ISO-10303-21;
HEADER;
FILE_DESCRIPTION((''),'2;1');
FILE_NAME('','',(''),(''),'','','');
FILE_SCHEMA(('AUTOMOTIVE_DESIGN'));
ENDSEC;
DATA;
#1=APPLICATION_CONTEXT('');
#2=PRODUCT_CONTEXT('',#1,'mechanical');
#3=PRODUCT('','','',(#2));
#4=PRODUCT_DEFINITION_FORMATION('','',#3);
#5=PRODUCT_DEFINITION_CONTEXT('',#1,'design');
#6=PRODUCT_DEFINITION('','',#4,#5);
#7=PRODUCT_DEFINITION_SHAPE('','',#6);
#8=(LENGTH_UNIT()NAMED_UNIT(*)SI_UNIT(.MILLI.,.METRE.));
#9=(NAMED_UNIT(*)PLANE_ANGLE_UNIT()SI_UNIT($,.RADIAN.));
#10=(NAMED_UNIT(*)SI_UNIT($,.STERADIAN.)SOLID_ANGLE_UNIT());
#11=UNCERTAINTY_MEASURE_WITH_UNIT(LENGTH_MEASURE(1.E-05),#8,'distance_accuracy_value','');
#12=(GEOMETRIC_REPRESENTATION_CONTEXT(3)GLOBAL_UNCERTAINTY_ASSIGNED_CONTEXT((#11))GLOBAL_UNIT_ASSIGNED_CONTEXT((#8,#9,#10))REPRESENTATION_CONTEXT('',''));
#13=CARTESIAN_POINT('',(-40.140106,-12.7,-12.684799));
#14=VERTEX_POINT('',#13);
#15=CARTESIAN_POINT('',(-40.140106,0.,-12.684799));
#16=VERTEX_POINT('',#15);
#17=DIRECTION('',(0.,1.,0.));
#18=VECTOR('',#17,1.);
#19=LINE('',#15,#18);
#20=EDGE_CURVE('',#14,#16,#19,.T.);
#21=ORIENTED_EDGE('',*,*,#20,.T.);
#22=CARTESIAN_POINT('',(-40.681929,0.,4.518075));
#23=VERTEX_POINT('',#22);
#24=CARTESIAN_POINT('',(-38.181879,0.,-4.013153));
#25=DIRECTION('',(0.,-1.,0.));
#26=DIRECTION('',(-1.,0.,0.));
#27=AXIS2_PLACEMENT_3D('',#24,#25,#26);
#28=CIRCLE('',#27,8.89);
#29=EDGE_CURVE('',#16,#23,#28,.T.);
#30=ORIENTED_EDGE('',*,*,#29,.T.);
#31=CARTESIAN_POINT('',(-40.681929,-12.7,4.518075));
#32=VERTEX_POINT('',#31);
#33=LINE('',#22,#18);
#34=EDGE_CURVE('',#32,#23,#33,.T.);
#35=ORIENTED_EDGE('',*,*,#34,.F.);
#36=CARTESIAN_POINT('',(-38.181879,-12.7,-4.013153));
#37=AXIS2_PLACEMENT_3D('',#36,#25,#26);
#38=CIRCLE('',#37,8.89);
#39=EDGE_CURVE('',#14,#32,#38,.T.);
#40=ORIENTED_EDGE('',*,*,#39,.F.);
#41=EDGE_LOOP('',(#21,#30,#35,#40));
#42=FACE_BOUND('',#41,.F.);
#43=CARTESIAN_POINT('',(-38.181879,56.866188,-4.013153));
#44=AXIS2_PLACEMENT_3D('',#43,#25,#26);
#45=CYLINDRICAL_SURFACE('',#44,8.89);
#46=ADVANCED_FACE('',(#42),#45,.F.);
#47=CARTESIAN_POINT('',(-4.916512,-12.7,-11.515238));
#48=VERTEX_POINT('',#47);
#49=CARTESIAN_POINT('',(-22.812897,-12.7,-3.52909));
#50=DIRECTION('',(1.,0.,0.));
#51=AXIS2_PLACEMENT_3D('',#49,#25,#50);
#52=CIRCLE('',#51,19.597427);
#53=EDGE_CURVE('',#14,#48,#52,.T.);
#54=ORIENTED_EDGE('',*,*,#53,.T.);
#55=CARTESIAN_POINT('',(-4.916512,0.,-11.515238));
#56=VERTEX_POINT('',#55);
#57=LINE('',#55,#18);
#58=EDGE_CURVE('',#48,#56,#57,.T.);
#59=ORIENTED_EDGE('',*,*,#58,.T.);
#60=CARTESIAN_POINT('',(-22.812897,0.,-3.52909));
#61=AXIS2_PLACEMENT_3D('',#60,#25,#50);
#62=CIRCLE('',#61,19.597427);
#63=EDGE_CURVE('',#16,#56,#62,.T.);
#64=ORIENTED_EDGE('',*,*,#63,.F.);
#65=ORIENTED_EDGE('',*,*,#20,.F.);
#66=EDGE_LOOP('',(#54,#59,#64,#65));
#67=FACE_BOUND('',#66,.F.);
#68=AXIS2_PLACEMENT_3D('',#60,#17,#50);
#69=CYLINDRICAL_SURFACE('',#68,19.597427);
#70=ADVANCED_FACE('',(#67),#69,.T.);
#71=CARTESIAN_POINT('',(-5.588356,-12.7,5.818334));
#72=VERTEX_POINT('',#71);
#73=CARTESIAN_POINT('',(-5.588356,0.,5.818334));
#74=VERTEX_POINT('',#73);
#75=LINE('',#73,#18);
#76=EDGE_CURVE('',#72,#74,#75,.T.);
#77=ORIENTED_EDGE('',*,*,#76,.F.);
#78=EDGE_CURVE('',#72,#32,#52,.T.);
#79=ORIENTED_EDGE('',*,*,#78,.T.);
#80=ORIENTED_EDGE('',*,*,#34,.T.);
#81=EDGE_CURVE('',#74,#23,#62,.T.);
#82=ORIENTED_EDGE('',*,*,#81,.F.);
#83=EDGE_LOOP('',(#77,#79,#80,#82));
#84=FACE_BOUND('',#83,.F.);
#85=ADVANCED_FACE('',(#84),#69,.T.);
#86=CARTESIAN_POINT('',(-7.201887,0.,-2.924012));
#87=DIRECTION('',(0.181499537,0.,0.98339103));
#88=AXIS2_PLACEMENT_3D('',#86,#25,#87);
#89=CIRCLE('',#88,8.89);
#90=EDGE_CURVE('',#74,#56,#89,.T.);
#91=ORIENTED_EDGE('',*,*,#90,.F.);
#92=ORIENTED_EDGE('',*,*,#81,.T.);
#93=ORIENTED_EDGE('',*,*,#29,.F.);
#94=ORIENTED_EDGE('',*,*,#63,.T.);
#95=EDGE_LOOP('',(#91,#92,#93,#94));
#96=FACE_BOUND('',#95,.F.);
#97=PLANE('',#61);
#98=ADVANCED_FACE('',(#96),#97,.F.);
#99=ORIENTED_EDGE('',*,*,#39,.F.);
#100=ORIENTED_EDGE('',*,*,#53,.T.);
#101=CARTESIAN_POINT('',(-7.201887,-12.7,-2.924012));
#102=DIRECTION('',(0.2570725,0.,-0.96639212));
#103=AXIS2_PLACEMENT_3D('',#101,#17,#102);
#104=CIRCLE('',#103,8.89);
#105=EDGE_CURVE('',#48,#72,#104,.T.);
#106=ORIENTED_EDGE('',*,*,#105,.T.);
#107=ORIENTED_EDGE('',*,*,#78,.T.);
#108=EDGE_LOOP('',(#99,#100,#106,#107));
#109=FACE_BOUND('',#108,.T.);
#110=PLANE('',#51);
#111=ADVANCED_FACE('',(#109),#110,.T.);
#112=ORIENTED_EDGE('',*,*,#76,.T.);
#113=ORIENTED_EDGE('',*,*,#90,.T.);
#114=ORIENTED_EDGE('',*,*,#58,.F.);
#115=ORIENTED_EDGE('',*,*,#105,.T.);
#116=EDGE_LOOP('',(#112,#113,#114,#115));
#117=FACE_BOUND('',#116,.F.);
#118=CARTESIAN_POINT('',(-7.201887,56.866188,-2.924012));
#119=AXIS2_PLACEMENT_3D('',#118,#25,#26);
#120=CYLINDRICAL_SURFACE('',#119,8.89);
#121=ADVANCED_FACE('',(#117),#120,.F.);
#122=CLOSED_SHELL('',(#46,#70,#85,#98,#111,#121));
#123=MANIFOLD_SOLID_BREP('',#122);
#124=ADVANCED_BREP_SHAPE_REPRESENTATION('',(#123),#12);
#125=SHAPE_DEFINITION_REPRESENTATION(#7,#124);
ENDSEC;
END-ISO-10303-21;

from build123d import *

# Parameters (mm, degrees)
F0_R     = 19.5974274926
F1_DEPTH = 12.7
F3_D     = 17.78


with BuildPart() as f1:
    # F0 (on Front) → F1 (new body)
    with BuildSketch(Plane.XZ):
        with Locations((-22.8128973395, -3.5290902015)):
            Circle(F0_R)
    extrude(amount=F1_DEPTH)

    # F3 (through all)
    with Locations(Plane(origin=(0, 0, 0), x_dir=(1, 0, 0), z_dir=(0, 1, 0))):
        with Locations((-38.1818786263, 4.013152793), (-7.2018867359, 2.9240124859)):
            Hole(F3_D / 2)


solid = f1.part
